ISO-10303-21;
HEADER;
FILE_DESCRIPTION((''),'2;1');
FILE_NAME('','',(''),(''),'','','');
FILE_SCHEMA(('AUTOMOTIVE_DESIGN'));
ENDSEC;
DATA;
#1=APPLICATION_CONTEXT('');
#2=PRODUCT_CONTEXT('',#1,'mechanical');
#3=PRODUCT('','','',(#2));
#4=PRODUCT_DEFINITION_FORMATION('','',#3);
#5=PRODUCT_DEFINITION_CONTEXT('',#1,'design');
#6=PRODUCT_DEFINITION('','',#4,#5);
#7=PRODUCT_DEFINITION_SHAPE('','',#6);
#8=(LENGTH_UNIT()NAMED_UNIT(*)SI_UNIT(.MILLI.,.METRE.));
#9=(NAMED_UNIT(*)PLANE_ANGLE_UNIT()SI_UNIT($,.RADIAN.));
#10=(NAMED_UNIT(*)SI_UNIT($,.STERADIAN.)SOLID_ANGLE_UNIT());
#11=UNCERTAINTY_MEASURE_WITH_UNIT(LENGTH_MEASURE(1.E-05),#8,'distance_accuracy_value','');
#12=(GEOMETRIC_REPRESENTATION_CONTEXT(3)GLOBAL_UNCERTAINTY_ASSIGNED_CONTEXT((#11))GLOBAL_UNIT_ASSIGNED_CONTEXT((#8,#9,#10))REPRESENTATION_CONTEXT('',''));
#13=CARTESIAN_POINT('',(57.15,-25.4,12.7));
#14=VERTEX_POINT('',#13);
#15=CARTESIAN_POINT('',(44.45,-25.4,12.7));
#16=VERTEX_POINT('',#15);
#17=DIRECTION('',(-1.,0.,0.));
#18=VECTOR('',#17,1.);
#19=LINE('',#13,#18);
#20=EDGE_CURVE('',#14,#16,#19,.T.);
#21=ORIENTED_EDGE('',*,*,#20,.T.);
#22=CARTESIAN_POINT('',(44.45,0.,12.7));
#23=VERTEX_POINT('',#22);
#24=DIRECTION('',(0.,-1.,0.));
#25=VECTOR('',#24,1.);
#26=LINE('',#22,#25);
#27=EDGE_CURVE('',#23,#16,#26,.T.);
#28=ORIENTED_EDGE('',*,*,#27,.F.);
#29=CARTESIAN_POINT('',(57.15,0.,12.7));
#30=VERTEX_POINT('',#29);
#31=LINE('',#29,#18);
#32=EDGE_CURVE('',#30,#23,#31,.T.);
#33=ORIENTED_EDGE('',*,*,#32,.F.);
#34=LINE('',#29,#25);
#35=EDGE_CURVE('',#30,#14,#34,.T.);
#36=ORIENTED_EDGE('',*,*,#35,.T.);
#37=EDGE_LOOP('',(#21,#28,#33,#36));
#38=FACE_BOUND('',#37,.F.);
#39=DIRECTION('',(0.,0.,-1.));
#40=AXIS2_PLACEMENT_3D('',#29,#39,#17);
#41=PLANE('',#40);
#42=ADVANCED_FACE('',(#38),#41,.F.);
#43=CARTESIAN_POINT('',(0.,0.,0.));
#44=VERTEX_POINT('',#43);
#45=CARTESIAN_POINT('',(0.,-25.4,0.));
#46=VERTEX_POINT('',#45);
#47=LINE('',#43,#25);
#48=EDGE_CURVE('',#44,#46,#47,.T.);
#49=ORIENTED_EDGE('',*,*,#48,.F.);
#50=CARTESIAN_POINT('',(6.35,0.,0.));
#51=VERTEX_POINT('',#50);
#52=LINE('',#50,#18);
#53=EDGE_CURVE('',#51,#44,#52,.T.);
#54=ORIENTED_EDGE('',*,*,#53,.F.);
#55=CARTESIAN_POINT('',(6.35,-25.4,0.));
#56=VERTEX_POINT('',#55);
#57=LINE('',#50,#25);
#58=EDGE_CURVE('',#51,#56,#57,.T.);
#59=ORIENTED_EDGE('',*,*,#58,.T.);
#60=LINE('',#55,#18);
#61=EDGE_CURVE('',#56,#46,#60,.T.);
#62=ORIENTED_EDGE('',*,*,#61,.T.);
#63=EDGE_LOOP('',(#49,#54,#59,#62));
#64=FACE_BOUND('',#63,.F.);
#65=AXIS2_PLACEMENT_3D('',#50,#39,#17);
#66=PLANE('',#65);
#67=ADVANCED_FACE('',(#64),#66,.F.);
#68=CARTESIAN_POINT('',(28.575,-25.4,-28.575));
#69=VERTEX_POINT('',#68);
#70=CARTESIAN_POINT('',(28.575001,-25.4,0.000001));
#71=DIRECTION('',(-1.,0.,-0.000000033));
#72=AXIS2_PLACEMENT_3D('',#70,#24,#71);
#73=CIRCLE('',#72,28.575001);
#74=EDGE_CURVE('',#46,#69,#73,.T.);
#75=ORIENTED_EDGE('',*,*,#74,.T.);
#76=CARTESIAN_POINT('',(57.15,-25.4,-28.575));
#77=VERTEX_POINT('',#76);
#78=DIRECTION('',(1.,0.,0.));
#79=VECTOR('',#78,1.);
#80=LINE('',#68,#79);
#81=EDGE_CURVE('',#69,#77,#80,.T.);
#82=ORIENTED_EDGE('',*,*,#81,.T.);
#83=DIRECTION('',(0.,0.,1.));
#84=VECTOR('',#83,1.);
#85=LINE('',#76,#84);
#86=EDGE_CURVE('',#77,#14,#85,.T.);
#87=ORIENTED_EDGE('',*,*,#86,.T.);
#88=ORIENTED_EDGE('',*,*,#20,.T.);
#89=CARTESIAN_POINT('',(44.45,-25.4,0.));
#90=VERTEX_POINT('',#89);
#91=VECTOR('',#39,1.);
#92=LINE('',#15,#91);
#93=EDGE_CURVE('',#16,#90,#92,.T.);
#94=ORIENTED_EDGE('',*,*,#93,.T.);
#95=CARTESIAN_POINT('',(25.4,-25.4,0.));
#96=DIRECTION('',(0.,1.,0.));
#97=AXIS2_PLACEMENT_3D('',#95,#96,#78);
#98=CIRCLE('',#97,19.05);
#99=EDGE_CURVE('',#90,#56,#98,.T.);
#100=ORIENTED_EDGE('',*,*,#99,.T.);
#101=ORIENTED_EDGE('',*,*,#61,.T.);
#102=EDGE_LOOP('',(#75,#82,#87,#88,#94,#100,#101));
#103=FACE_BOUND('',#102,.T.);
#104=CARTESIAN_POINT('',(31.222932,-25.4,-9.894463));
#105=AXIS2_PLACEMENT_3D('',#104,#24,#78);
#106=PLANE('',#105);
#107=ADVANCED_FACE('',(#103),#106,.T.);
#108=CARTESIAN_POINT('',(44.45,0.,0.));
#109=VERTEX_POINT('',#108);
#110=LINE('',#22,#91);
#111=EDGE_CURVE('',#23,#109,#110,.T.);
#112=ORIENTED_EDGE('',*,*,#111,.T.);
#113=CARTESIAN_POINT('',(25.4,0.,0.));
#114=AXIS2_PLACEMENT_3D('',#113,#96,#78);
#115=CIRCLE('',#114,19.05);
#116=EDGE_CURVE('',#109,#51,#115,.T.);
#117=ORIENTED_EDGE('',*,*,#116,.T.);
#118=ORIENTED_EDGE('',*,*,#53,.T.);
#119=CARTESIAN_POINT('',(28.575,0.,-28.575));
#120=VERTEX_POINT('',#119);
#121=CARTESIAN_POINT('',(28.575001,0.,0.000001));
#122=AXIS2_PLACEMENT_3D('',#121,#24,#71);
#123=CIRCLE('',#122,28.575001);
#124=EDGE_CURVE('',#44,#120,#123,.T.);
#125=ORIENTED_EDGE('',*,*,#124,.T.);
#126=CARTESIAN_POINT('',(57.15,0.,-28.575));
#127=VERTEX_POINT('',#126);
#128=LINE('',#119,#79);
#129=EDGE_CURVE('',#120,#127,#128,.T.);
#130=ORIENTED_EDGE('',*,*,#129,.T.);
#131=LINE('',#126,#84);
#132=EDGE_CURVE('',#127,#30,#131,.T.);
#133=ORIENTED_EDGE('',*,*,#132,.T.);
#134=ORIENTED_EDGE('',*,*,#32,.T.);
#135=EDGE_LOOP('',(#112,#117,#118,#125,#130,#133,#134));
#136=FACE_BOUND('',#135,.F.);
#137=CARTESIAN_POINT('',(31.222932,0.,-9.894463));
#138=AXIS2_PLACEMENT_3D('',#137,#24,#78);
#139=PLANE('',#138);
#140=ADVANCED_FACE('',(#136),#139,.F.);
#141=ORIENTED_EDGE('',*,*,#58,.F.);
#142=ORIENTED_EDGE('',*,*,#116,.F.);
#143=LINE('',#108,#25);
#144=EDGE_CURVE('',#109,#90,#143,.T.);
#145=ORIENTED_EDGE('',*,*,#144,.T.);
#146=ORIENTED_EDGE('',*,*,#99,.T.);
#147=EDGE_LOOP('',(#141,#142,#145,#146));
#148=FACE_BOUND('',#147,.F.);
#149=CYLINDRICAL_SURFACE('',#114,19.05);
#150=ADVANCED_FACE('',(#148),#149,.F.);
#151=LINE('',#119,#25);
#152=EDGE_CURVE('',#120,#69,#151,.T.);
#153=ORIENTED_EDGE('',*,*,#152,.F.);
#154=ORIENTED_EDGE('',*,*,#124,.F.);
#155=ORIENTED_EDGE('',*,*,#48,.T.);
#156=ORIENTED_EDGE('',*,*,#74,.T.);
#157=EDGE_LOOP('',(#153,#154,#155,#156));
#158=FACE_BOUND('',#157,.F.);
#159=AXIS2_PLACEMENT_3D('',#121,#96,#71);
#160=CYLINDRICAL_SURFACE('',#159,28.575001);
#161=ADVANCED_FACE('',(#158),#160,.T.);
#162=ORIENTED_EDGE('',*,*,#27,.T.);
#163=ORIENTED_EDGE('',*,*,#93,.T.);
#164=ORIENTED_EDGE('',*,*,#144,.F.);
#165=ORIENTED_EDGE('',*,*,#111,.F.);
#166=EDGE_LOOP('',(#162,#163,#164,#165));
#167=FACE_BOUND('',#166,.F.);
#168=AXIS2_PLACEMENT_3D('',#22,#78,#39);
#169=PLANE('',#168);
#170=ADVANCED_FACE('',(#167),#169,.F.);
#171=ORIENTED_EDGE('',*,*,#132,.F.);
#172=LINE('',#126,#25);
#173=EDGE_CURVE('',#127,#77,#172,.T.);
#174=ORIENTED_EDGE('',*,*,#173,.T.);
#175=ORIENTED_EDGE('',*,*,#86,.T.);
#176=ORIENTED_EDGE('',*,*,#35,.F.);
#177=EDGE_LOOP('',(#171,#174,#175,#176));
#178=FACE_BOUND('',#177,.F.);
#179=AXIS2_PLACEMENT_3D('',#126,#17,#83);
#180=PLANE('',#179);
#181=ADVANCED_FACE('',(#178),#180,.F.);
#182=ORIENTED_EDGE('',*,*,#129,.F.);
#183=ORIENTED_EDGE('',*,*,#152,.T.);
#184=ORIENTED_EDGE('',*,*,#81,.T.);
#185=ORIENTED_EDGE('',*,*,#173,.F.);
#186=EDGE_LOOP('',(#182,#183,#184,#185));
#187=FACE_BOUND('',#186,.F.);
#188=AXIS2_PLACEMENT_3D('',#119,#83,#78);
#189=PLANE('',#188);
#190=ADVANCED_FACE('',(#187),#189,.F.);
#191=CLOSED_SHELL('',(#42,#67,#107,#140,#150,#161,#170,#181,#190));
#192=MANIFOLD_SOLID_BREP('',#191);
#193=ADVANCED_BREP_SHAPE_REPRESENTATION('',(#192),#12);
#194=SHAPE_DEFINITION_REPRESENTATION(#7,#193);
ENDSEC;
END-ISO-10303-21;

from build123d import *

# Parameters (mm, degrees)
F1_DEPTH = 25.4


with BuildPart() as f1:
    # F0 (on Front) → F1 (new body)
    with BuildSketch(Plane.XZ):
        with BuildLine():
            ThreePointArc((28.575, -28.575), (48.780576, -20.205576), (57.15, 0))
            Line((57.15, 0), (57.15, 12.7))
            Line((57.15, 12.7), (44.45, 12.7))
            Line((44.45, 12.7), (44.45, 0))
            ThreePointArc((44.45, 0), (25.4, -19.05), (6.35, 0))
            Line((6.35, 0), (0, 0))
            ThreePointArc((0, 0), (8.369424, -20.205576), (28.575, -28.575))
        make_face()
        with BuildLine():
            Line((57.15, -28.575), (57.15, 0))
            ThreePointArc((57.15, 0), (48.780576, -20.205576), (28.575, -28.575))
            Line((28.575, -28.575), (57.15, -28.575))
        make_face()
    extrude(amount=F1_DEPTH)


solid = f1.part
